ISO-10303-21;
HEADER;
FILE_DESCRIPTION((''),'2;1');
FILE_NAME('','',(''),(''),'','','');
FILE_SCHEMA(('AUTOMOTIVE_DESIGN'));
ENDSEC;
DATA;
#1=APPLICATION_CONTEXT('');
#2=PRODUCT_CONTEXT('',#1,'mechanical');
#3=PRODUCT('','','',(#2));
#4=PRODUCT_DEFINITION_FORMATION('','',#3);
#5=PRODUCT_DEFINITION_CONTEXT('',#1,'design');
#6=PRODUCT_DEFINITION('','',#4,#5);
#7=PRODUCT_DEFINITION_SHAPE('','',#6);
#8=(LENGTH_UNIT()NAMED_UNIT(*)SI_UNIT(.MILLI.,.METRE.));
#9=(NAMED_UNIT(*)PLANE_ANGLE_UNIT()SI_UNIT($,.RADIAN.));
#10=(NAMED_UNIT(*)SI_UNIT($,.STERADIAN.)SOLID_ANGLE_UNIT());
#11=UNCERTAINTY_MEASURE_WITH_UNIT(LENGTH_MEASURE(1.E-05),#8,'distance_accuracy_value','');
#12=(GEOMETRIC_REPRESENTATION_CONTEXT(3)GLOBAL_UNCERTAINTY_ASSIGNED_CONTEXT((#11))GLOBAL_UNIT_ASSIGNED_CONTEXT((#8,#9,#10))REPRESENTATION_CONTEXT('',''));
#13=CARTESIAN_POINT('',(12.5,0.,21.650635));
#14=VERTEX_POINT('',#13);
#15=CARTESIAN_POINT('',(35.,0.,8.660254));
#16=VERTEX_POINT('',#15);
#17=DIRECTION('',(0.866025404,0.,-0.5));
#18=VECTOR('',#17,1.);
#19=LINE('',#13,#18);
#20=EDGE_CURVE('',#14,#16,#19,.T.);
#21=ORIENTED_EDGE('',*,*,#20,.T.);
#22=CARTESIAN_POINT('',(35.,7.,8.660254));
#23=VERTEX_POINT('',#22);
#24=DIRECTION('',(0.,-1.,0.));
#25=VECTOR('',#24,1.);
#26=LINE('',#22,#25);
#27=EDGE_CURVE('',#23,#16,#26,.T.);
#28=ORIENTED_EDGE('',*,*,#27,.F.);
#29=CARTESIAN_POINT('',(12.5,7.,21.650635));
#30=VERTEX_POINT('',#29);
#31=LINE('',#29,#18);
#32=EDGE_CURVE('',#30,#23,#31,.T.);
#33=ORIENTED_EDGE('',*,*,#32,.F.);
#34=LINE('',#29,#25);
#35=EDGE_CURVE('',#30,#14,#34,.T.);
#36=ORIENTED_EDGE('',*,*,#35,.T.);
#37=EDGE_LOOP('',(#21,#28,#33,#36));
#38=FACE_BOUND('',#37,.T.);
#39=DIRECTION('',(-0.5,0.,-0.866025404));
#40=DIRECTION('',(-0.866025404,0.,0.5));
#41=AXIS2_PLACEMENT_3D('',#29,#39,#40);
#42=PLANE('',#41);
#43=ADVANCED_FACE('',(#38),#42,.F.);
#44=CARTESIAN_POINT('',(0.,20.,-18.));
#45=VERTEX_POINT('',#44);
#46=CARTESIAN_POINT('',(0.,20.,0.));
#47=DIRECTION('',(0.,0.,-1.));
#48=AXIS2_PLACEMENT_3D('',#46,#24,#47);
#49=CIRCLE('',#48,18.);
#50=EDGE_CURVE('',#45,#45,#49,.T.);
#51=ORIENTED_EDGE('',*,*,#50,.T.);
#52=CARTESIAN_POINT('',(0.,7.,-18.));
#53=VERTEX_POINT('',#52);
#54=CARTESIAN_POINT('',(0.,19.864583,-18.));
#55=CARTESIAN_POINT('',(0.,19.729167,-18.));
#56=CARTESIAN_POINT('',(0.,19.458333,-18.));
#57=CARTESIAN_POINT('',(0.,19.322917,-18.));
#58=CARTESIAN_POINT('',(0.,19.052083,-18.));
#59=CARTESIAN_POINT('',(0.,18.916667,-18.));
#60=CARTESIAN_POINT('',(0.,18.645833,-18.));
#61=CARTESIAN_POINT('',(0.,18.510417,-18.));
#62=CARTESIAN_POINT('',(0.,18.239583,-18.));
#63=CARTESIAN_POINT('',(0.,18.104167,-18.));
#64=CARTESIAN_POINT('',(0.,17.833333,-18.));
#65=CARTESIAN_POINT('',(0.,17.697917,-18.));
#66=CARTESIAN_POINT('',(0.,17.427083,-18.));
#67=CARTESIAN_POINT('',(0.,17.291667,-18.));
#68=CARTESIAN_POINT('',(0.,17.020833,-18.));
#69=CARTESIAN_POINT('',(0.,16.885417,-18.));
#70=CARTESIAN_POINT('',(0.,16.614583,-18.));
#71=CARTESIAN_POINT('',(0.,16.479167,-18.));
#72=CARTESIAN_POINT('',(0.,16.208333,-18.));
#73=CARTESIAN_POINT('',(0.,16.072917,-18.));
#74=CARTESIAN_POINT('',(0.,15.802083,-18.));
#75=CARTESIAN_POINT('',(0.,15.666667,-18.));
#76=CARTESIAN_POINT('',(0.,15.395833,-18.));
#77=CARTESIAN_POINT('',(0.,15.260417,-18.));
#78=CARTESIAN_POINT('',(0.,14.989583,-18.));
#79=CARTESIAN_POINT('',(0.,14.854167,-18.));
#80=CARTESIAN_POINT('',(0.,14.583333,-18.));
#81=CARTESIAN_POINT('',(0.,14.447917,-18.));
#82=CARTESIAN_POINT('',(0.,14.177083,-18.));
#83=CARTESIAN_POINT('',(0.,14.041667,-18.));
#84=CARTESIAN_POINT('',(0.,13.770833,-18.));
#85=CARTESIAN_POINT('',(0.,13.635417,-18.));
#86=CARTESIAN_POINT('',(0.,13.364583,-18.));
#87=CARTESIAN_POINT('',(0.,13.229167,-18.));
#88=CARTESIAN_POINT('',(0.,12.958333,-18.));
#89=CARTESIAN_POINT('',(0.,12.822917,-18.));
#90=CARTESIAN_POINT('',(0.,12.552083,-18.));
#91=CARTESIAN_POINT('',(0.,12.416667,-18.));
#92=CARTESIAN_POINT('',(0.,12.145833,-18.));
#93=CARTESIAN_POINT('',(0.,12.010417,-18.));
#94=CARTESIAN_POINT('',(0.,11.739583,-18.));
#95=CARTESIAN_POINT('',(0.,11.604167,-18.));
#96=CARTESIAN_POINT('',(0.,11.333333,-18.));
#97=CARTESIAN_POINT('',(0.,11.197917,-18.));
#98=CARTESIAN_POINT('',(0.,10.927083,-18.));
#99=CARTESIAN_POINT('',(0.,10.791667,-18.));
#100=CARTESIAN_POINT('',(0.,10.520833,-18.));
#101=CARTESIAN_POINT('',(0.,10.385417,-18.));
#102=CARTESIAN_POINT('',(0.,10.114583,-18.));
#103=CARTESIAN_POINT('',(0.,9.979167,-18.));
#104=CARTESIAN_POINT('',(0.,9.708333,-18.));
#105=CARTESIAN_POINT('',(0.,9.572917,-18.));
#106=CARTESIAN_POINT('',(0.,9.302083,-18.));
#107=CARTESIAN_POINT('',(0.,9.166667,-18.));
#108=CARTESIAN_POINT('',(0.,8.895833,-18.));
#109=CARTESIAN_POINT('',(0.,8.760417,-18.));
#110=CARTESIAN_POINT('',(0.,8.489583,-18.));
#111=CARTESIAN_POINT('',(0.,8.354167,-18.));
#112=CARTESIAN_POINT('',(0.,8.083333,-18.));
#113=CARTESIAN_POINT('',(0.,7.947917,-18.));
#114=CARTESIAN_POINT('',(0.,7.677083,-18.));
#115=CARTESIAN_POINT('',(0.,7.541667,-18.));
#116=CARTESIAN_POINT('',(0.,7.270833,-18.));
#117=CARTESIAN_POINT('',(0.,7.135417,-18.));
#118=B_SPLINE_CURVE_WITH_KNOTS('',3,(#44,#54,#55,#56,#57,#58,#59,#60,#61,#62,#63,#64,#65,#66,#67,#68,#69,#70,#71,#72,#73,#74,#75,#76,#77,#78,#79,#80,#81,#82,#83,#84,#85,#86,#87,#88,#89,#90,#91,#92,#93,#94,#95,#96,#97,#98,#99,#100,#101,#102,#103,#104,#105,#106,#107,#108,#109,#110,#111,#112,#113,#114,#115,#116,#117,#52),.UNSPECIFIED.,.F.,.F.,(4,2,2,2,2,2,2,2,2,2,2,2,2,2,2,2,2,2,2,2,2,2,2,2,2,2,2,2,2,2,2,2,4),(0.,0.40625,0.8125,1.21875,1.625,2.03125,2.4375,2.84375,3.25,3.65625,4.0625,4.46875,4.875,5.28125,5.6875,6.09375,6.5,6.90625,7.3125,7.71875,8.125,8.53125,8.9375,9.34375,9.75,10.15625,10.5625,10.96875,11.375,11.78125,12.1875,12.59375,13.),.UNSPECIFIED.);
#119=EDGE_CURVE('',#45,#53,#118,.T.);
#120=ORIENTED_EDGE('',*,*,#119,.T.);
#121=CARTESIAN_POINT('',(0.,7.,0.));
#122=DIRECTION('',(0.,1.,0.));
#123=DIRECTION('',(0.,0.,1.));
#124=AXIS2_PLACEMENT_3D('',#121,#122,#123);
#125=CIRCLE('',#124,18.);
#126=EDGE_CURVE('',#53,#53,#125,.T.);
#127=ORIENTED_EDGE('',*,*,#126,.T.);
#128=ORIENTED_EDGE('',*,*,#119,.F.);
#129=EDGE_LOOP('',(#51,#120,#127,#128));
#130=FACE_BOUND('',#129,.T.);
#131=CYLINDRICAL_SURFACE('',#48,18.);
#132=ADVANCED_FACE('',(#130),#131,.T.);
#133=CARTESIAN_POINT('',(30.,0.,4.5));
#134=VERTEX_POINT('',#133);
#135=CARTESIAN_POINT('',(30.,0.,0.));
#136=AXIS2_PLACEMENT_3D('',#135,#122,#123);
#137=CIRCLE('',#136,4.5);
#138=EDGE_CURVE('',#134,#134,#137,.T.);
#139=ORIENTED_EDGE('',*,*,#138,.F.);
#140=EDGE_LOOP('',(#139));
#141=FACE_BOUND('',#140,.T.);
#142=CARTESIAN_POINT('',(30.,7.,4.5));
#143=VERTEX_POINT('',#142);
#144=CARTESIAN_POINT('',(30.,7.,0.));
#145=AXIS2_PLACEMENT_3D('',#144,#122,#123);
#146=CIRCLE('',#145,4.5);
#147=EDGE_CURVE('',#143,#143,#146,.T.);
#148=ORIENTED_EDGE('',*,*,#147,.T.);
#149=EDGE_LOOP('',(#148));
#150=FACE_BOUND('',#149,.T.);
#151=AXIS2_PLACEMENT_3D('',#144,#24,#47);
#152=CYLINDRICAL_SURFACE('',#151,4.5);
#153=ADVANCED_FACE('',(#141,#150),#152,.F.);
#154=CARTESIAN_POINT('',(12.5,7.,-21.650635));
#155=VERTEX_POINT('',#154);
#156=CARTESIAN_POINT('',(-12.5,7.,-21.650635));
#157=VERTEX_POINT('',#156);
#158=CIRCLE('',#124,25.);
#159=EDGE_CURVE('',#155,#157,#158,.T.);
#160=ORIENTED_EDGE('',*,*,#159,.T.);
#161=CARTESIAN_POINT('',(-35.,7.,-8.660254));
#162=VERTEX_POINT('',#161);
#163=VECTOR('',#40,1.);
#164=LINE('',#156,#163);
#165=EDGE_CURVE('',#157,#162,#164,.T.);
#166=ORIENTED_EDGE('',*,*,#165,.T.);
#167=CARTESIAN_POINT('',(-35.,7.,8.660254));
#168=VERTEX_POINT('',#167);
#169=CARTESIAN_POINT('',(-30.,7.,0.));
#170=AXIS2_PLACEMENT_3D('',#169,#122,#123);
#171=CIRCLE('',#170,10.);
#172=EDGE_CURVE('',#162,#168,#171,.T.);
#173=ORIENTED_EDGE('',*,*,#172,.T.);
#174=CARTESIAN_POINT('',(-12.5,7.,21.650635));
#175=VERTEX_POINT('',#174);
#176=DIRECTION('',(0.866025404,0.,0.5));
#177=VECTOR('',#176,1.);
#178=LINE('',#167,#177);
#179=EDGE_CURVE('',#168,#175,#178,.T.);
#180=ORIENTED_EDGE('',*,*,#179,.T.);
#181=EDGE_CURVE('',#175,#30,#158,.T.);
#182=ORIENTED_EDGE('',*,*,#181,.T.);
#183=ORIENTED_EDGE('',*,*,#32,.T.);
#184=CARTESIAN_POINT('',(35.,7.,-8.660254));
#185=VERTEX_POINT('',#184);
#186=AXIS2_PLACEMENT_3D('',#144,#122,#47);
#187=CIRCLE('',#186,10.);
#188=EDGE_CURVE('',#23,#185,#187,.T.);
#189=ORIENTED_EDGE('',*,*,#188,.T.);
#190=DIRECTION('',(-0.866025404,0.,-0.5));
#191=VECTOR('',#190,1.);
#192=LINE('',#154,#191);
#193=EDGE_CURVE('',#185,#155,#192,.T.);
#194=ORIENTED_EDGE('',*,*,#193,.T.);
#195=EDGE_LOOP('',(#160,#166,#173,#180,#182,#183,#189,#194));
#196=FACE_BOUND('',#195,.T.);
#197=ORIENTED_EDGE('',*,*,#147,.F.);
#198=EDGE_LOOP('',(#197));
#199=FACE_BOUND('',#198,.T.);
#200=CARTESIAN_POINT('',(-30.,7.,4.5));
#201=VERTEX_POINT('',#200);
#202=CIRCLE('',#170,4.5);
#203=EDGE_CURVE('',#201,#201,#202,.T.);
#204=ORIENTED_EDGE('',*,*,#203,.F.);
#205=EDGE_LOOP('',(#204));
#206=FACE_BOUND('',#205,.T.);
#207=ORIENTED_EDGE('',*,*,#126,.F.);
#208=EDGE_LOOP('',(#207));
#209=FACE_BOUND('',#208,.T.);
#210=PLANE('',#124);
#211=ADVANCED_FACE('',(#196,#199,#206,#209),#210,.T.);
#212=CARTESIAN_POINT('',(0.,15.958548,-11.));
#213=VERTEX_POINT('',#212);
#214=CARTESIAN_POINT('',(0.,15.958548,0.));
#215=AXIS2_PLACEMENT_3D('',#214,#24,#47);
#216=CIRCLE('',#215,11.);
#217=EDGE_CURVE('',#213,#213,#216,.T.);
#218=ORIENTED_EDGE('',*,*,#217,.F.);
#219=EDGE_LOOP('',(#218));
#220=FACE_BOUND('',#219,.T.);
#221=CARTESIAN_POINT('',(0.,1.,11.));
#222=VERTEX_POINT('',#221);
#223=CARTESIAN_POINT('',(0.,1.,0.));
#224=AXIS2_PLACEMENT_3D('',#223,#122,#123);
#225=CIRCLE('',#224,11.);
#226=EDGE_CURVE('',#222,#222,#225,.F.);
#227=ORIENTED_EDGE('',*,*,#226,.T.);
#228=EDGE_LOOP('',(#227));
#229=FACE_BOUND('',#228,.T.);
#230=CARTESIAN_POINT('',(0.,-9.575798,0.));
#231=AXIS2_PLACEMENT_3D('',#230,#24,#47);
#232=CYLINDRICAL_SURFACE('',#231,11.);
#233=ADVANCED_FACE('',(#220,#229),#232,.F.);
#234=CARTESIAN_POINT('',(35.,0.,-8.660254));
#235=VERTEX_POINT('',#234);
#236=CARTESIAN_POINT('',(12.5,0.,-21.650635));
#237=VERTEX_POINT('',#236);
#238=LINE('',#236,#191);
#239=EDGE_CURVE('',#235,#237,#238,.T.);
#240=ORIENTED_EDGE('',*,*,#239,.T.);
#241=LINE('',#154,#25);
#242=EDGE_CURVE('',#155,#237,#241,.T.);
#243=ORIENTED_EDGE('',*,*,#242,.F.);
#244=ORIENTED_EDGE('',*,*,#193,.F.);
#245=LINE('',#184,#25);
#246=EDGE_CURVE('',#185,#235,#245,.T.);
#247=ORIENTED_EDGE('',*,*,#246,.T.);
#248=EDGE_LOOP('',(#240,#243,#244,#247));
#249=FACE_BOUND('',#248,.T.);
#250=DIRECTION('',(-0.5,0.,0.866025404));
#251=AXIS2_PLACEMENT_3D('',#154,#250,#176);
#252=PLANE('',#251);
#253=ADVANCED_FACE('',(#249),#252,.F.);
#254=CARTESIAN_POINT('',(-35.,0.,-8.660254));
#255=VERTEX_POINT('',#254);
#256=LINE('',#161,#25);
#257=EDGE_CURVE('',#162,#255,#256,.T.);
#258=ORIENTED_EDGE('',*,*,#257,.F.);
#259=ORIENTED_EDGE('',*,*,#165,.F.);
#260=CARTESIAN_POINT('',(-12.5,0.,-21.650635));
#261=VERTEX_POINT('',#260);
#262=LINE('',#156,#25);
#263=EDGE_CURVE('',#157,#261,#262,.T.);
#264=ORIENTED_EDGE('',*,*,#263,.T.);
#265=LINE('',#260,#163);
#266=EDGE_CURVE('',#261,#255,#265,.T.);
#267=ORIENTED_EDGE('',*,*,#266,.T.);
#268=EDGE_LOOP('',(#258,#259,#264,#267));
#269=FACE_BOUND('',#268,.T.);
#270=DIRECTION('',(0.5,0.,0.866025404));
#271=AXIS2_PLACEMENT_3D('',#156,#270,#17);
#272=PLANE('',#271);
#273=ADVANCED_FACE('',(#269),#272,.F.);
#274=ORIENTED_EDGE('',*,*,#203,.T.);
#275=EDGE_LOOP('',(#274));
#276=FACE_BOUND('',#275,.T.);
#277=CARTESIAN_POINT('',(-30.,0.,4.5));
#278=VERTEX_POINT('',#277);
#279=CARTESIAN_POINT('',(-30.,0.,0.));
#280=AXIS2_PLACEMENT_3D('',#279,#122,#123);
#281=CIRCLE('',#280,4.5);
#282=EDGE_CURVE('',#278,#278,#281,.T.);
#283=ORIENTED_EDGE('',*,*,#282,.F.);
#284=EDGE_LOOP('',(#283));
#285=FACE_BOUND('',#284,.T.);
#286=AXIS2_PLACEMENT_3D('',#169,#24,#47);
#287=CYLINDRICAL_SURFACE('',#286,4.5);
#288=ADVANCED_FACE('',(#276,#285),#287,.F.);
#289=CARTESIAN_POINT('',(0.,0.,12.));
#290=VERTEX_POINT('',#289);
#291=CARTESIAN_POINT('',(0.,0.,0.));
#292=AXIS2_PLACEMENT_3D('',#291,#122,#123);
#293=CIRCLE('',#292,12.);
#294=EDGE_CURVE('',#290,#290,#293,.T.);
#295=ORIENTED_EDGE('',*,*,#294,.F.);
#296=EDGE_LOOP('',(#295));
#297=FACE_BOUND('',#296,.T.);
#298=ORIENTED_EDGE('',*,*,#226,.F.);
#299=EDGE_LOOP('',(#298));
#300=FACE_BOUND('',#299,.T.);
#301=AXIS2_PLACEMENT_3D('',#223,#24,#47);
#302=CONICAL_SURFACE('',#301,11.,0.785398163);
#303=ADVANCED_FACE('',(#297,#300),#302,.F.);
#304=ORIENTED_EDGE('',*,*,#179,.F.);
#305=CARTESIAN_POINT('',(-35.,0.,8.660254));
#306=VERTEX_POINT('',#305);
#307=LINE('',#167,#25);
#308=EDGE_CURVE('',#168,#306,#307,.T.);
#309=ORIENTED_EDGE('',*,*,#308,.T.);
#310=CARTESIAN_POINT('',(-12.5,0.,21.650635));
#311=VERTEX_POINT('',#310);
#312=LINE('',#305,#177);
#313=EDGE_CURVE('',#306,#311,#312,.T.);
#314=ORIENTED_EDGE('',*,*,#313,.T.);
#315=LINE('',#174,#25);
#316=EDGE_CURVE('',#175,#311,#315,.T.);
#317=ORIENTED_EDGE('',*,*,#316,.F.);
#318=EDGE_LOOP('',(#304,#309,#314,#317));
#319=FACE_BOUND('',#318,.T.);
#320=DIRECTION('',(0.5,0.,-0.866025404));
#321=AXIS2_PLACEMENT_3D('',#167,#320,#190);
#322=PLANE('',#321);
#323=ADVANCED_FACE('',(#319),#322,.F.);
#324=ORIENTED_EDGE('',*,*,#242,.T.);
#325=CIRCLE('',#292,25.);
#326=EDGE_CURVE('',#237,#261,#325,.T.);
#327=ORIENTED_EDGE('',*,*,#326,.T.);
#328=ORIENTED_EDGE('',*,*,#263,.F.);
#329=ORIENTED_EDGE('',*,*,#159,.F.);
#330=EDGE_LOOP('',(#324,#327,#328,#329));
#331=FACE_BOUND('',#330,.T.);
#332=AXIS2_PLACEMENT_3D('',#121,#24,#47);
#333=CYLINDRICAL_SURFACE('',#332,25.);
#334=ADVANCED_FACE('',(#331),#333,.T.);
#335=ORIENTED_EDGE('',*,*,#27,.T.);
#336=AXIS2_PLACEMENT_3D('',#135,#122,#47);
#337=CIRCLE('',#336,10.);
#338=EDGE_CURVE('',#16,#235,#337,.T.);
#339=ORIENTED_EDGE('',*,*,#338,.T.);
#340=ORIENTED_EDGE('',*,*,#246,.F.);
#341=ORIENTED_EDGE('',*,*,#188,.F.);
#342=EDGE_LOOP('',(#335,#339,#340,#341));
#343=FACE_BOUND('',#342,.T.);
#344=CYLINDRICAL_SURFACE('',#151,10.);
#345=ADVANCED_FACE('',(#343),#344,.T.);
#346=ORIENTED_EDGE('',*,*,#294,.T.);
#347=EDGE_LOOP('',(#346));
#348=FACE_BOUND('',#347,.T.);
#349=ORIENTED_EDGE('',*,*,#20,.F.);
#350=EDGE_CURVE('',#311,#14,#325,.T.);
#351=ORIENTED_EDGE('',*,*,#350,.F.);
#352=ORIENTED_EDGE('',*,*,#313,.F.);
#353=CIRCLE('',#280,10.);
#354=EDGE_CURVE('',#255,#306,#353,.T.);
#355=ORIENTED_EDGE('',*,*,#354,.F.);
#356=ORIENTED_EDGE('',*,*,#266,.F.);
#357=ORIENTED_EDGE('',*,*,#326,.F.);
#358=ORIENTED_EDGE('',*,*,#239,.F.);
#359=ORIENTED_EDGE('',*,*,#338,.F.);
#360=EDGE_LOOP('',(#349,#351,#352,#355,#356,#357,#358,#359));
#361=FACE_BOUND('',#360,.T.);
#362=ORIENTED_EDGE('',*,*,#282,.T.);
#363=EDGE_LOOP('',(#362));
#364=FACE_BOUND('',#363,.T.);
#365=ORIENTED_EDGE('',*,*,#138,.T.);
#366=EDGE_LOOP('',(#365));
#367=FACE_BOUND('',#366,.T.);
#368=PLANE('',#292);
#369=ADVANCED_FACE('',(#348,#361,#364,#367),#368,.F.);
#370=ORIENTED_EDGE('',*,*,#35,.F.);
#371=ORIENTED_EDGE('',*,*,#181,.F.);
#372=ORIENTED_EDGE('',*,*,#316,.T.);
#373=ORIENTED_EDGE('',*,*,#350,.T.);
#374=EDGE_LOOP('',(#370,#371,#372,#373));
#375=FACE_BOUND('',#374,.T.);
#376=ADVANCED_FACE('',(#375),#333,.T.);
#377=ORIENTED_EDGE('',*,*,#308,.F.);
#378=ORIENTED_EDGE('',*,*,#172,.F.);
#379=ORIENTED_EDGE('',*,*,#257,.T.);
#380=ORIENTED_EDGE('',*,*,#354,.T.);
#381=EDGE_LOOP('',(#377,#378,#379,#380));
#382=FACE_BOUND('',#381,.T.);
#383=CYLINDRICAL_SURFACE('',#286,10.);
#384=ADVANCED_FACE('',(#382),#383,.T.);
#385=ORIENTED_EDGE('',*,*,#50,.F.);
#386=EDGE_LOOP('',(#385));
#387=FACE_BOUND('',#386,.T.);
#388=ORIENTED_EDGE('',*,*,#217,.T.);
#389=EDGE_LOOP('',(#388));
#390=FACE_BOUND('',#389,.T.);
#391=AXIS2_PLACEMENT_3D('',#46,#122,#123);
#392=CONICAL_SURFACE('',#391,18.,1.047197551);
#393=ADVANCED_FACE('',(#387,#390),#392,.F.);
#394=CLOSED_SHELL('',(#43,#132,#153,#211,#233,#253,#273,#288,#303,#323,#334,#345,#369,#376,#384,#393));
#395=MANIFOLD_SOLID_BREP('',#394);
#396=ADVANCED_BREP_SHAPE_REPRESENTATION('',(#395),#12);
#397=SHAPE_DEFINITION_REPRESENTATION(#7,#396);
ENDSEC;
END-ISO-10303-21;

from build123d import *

# Parameters (mm, degrees)
SKETCH_2_R      = 4.5
EXTRUDE_1_DEPTH = 7
SKETCH_3_R      = 18
EXTRUDE_2_DEPTH = 13
CHAMFER_1_SIZE  = 1


with BuildPart() as part:
    # 草图2 → 拉伸1 (new body)
    with BuildSketch(Plane(origin=(0, 0, 0), x_dir=(1, 0, 0), z_dir=(0, 1, 0))):
        with BuildLine():
            Line((-12.5, 21.650635095), (-35, 8.660254038))
            ThreePointArc((-35, 8.660254038), (-40, 0), (-35, -8.660254038))
            Line((-35, -8.660254038), (-12.5, -21.650635095))
            ThreePointArc((-12.5, -21.650635095), (0, -25), (12.5, -21.650635095))
            Line((12.5, -21.650635095), (35, -8.660254038))
            ThreePointArc((35, -8.660254038), (40, 0), (35, 8.660254038))
            Line((35, 8.660254038), (12.5, 21.650635095))
            ThreePointArc((12.5, 21.650635095), (0, 25), (-12.5, 21.650635095))
        make_face()
        with Locations(Location((-30, 0, 0), (0, 0, 270))):
            Circle(SKETCH_2_R, mode=Mode.SUBTRACT)
        with Locations(Location((30, 0, 0), (0, 0, 270))):
            Circle(SKETCH_2_R, mode=Mode.SUBTRACT)
    extrude(amount=EXTRUDE_1_DEPTH)

    # 草图3 → 拉伸2 (add)
    with BuildSketch(Plane(origin=(0, 7, 0), x_dir=(1, 0, 0), z_dir=(0, 1, 0))):
        with Locations(Location((0, 0, 0), (0, 0, 90))):
            Circle(SKETCH_3_R)
    extrude(amount=EXTRUDE_2_DEPTH)

    # 草图4 → 切除-旋转2 (revolve, cut)
    with BuildSketch(Plane(origin=(0, 20, 0), x_dir=(1, 0, 0), z_dir=(0, 0, -1)), mode=Mode.PRIVATE) as cut_revolve_2_sk:
        Polygon((0, 20), (11, 20), (11, 4.041451884), (18, 0), (0, 0), align=None)
    revolve(cut_revolve_2_sk.sketch.rotate(Axis((0, -9.575798304, 0), (0, 1, 0)), 90), axis=Axis((0, -9.575798304, 0), (0, 1, 0)), mode=Mode.SUBTRACT)

    # 倒角1
    chamfer_1_edges = [part.edges().sort_by_distance(p)[0] for p in [
        (0, 0, 11),
    ]]
    chamfer(chamfer_1_edges, length=CHAMFER_1_SIZE)


solid = part.part
